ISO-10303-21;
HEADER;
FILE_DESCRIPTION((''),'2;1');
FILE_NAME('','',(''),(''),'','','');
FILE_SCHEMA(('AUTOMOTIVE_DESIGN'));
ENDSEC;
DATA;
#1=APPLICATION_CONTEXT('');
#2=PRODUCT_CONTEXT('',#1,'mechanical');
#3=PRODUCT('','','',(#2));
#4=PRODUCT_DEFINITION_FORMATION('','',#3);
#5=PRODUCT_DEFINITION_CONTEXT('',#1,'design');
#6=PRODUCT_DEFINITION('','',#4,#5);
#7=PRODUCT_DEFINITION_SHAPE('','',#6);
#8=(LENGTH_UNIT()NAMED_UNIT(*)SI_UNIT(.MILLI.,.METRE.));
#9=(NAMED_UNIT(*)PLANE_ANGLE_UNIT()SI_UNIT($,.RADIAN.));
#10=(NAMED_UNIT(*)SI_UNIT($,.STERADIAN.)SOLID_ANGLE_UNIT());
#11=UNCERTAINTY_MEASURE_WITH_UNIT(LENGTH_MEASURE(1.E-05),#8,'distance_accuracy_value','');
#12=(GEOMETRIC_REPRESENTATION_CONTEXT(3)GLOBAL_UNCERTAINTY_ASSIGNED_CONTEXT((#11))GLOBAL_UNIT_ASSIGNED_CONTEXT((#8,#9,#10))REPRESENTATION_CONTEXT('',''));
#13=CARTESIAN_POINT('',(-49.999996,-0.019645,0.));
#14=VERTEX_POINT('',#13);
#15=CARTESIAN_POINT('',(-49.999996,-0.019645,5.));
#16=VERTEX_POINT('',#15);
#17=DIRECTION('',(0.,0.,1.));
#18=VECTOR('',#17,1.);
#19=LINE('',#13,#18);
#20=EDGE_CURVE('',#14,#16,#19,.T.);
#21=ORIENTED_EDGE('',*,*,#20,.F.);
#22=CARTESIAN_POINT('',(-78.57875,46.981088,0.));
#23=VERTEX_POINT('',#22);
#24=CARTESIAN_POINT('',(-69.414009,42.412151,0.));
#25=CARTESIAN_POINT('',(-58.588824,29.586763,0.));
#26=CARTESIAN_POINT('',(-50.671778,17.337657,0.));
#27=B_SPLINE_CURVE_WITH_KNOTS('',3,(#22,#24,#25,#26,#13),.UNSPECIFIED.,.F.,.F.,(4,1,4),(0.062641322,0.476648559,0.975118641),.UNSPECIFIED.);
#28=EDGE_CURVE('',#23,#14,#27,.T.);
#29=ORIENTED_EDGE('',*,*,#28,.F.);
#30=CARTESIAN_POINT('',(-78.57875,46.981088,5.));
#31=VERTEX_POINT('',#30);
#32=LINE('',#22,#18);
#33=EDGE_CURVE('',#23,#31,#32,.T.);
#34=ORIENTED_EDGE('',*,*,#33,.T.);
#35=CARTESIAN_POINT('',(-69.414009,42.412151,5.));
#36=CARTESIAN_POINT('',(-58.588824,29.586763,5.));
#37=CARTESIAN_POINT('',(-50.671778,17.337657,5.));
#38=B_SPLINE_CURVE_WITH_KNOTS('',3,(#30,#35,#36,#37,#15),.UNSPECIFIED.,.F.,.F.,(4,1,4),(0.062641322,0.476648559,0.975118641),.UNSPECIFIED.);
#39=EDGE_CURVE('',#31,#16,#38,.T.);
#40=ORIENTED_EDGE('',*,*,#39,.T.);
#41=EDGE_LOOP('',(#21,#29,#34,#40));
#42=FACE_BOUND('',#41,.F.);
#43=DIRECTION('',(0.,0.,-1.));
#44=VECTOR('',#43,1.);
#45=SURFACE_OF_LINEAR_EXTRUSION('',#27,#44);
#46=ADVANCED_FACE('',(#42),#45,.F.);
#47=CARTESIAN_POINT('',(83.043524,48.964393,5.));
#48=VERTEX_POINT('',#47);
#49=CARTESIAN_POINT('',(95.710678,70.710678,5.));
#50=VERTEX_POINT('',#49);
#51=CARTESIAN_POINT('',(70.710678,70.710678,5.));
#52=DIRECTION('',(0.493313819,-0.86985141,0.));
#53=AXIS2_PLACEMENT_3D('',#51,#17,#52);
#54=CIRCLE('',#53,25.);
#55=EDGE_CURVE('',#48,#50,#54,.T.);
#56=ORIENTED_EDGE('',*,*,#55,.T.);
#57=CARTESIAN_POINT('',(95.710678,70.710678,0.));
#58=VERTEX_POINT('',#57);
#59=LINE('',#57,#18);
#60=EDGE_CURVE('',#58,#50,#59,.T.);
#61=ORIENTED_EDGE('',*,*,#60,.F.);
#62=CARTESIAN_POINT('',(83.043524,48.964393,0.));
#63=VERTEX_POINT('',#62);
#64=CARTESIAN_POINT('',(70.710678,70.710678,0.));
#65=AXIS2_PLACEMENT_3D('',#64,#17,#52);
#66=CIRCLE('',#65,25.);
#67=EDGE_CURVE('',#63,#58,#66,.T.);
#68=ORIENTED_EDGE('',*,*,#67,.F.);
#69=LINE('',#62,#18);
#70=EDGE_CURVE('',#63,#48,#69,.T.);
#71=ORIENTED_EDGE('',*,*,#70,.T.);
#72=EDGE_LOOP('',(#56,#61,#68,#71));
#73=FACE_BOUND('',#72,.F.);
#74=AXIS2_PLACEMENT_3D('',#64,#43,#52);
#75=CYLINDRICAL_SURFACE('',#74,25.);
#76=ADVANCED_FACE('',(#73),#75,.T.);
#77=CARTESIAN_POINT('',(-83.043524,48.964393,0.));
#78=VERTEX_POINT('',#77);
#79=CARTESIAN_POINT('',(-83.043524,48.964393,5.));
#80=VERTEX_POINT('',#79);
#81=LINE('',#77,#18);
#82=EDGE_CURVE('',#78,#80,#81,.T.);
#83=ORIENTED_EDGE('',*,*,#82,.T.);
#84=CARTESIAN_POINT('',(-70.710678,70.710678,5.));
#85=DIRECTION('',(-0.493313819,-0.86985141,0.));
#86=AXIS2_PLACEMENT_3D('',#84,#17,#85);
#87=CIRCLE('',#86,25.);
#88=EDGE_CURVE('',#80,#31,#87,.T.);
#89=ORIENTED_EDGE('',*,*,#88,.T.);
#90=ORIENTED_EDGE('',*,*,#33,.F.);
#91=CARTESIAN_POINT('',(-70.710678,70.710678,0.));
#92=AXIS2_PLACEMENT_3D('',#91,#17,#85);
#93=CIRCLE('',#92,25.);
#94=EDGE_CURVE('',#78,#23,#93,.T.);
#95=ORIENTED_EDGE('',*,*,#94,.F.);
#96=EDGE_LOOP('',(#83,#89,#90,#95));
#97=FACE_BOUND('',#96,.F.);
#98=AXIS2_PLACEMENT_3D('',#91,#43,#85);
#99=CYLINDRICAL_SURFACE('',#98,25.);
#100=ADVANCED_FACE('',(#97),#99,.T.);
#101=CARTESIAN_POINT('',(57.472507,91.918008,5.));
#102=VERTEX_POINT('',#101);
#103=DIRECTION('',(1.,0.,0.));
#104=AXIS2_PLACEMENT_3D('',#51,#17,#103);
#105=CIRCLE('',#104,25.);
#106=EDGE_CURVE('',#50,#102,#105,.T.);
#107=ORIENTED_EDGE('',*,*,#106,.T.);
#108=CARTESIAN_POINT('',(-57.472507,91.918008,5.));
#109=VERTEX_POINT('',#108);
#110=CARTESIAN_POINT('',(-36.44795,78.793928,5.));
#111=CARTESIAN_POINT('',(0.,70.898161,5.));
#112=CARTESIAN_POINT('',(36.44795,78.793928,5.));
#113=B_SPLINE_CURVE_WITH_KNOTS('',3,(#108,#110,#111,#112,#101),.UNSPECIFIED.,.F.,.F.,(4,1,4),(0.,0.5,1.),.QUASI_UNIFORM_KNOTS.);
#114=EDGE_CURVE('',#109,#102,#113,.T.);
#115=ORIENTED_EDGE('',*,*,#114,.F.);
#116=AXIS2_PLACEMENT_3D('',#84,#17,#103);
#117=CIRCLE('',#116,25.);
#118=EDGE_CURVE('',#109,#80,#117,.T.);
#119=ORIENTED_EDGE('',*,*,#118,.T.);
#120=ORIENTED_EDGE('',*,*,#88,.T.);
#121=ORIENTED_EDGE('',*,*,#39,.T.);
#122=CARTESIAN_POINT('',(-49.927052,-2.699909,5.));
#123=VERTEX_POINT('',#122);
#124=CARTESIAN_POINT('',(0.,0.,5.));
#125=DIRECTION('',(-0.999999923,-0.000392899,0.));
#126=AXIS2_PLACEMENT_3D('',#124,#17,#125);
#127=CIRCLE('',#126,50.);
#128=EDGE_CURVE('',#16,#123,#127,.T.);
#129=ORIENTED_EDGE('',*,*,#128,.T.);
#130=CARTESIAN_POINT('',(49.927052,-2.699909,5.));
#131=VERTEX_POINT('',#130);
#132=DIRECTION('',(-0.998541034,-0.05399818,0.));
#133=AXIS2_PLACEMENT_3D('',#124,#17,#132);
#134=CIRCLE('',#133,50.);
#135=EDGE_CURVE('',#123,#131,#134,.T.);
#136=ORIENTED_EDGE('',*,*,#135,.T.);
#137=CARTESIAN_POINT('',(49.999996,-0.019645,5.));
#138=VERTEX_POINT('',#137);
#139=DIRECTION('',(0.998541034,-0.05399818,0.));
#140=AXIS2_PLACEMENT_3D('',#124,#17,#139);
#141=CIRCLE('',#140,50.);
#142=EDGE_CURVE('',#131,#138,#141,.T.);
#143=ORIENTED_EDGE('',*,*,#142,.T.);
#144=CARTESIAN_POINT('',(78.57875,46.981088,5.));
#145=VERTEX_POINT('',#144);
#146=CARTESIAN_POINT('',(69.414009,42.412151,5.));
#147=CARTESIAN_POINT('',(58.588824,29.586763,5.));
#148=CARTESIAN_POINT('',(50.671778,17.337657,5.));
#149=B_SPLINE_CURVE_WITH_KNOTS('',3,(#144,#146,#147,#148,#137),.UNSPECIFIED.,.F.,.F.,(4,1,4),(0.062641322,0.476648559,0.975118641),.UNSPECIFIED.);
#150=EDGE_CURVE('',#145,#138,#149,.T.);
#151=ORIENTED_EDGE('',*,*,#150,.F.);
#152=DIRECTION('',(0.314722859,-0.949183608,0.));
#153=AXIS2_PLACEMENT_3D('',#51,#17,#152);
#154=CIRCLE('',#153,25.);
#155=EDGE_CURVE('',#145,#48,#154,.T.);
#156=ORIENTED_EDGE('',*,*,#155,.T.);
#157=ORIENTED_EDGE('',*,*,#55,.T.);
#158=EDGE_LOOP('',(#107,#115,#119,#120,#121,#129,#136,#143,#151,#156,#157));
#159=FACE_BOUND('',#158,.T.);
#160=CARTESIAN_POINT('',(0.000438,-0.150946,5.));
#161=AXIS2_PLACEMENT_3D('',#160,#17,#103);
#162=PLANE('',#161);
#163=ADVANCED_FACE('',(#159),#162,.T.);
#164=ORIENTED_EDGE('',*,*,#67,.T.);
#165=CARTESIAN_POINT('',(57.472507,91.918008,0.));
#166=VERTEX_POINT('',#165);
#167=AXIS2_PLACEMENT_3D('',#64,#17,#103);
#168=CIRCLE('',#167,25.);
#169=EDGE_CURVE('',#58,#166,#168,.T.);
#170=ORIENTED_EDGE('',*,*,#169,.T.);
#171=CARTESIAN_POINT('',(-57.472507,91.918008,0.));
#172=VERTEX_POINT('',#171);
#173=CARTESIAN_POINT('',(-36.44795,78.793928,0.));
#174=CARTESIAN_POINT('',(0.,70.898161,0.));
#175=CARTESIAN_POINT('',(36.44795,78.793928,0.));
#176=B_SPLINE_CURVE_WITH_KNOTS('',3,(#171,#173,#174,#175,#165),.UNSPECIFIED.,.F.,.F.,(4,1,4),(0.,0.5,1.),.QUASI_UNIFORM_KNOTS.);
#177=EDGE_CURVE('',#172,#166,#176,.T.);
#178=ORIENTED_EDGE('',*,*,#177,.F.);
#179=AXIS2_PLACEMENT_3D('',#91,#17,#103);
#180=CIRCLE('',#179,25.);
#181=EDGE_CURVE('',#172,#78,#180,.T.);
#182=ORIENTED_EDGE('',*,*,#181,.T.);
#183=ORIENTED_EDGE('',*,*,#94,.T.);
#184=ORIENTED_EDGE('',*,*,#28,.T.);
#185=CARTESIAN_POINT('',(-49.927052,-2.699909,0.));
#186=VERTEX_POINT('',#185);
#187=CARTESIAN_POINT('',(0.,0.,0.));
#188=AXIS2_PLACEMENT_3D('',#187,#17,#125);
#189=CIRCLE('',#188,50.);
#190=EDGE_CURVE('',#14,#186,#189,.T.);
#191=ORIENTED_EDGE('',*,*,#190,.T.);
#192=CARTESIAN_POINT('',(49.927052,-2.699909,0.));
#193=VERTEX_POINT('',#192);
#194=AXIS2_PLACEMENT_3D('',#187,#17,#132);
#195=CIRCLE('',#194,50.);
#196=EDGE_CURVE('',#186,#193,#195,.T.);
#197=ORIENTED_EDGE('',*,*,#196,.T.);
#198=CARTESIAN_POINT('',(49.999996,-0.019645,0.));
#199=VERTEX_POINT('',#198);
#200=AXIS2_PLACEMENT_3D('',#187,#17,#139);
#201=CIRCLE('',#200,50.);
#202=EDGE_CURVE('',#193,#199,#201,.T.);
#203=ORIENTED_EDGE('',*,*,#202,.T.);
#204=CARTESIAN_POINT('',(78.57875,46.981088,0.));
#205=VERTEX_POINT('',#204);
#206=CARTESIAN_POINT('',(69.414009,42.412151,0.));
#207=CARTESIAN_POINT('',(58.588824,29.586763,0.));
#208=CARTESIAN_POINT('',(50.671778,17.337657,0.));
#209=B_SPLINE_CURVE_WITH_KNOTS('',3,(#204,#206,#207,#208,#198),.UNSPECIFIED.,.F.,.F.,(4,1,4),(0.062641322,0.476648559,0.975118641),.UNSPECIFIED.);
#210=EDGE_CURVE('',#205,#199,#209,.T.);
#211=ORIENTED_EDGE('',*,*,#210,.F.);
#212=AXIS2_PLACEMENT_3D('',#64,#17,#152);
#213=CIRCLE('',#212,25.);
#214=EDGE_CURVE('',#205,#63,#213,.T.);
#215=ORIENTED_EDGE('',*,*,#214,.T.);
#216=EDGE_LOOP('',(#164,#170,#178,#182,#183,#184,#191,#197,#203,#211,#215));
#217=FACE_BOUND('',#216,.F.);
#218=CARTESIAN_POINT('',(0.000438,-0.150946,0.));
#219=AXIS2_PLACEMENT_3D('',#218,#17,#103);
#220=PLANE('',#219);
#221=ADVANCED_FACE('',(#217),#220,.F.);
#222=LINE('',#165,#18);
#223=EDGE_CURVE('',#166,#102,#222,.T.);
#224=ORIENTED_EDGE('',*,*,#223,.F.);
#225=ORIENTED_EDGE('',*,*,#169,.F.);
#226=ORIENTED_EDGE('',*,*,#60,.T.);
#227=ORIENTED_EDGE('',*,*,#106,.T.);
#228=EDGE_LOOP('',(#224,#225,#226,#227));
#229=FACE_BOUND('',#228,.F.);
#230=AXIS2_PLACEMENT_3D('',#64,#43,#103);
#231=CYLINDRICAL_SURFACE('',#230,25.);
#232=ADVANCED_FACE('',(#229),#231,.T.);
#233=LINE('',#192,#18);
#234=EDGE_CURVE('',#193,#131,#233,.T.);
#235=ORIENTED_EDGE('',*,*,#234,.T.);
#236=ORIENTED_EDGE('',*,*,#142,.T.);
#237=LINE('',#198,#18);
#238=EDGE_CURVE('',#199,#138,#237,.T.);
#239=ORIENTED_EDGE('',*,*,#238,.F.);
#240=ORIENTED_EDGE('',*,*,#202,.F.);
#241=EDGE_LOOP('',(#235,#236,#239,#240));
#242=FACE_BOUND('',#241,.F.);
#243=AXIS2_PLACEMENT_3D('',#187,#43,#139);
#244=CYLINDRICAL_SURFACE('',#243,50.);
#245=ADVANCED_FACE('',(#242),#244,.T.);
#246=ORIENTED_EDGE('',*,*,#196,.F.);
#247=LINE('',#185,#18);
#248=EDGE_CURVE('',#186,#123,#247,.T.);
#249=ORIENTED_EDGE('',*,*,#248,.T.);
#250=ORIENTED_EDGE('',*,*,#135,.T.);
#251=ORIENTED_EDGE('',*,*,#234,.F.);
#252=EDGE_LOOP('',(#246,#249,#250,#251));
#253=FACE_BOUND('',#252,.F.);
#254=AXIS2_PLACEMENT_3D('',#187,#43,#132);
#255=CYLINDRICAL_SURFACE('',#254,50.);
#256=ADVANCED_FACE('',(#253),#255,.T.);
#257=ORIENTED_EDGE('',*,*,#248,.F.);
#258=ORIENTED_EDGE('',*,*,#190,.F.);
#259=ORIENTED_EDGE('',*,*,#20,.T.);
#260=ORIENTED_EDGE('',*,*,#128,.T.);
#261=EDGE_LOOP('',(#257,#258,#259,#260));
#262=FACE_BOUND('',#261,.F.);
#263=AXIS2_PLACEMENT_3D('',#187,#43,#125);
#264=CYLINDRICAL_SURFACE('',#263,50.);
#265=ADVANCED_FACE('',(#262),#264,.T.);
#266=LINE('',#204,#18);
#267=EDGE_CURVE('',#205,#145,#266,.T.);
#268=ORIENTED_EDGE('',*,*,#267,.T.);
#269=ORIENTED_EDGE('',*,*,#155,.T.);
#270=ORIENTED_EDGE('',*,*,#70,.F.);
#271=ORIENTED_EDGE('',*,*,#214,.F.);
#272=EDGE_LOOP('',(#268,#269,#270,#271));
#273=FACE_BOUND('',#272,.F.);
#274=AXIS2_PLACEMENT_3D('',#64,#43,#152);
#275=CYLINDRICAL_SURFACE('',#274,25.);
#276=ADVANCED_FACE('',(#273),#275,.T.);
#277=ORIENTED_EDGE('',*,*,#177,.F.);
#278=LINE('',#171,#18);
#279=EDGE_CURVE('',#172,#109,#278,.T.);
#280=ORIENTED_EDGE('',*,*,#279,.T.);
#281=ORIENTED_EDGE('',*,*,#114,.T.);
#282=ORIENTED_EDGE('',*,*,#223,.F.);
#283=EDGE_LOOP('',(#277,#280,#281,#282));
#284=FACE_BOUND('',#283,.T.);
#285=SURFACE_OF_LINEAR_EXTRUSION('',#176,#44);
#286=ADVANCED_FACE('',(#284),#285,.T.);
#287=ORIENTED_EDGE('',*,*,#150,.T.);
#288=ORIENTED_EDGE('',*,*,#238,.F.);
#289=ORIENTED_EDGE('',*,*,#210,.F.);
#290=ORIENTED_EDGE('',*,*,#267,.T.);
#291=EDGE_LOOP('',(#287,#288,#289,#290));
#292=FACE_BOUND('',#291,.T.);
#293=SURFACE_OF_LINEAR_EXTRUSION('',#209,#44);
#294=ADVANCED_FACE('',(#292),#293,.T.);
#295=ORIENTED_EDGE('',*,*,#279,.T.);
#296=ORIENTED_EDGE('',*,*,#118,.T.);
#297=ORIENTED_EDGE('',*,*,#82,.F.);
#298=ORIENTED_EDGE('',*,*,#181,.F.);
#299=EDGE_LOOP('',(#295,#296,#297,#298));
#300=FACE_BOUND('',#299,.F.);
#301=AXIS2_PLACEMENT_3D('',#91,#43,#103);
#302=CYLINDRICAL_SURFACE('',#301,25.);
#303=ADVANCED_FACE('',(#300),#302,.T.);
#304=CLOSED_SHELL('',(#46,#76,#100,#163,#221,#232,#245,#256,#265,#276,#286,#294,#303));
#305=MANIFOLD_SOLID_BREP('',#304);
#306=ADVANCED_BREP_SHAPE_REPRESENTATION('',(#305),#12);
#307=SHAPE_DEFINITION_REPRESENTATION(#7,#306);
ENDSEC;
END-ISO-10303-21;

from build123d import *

# Parameters (mm, degrees)
F1_DEPTH = 5


with BuildPart() as f1:
    # F0 (on Top) → F1 (new body)
    with BuildSketch(Plane.XY):
        with BuildLine():
            add(Edge.make_bspline(
                [(-49.9999961408, -0.0196449659), (-49.9664638256, -0.8860425324), (-49.9420335458, -1.7790145827), (-49.9270517003, -2.6999089823)],
                knots=[0.9751186408, 0.9751186408, 0.9751186408, 0.9751186408, 1, 1, 1, 1], degree=3))
            ThreePointArc((-49.9270517003, -2.6999089823), (0, -50), (49.9270517003, -2.6999089823))
            add(Edge.make_bspline(
                [(49.9999961408, -0.0196449659), (49.9664638256, -0.8860425324), (49.9420335458, -1.7790145827), (49.9270517003, -2.6999089823)],
                knots=[0.9751186408, 0.9751186408, 0.9751186408, 0.9751186408, 1, 1, 1, 1], degree=3))
            ThreePointArc((49.9999961408, -0.0196449659), (49.9999990352, -0.0098224831), (50, 0))
            ThreePointArc((50, 0), (-0.0098224831, 49.9999990352), (-49.9999961408, -0.0196449659))
        make_face()
        with BuildLine():
            ThreePointArc((-49.9999961408, -0.0196449659), (-49.9814933386, -1.3602660189), (-49.9270517003, -2.6999089823))
            add(Edge.make_bspline(
                [(-49.9999961408, -0.0196449659), (-49.9664638256, -0.8860425324), (-49.9420335458, -1.7790145827), (-49.9270517003, -2.6999089823)],
                knots=[0.9751186408, 0.9751186408, 0.9751186408, 0.9751186408, 1, 1, 1, 1], degree=3))
        make_face()
        with BuildLine():
            add(Edge.make_bspline(
                [(49.9999961408, -0.0196449659), (49.9664638256, -0.8860425324), (49.9420335458, -1.7790145827), (49.9270517003, -2.6999089823)],
                knots=[0.9751186408, 0.9751186408, 0.9751186408, 0.9751186408, 1, 1, 1, 1], degree=3))
            ThreePointArc((49.9270517003, -2.6999089823), (49.9814933386, -1.3602660189), (49.9999961408, -0.0196449659))
        make_face()
        with BuildLine():
            add(Edge.make_bspline(
                [(-78.578749588, 46.9810879125), (-69.4140090661, 42.4121513529), (-58.5888238339, 29.5867625113), (-50.6717784072, 17.3376570554), (-49.9999961408, -0.0196449659)],
                knots=[0.0626413223, 0.0626413223, 0.0626413223, 0.0626413223, 0.476648559, 0.9751186408, 0.9751186408, 0.9751186408, 0.9751186408], degree=3))
            ThreePointArc((-49.9999961408, -0.0196449659), (-0.0098224831, 49.9999990352), (50, 0))
            ThreePointArc((50, 0), (49.9999990352, -0.0098224831), (49.9999961408, -0.0196449659))
            add(Edge.make_bspline(
                [(78.578749588, 46.9810879125), (69.4140090661, 42.4121513529), (58.5888238339, 29.5867625113), (50.6717784072, 17.3376570554), (49.9999961408, -0.0196449659)],
                knots=[0.0626413223, 0.0626413223, 0.0626413223, 0.0626413223, 0.476648559, 0.9751186408, 0.9751186408, 0.9751186408, 0.9751186408], degree=3))
            ThreePointArc((78.578749588, 46.9810879125), (48.0823511673, 60.0824694557), (57.4725069474, 91.9180076073))
            add(Edge.make_bspline(
                [(-57.4725069474, 91.9180076073), (-36.4479498167, 78.7939277346), (0, 70.8981606309), (36.4479498167, 78.7939277346), (57.4725069474, 91.9180076073)],
                knots=[0, 0, 0, 0, 0.5, 1, 1, 1, 1], degree=3))
            ThreePointArc((-57.4725069474, 91.9180076073), (-48.8479898201, 82.8359764803), (-45.7106781187, 70.7106781187))
            ThreePointArc((-45.7106781187, 70.7106781187), (-56.076843808, 50.4412209634), (-78.578749588, 46.9810879125))
        make_face()
        with BuildLine():
            add(Edge.make_bspline(
                [(-83.0435235892, 48.9643928589), (-81.4494581744, 48.3350724817), (-79.9654197097, 47.6723903885), (-78.578749588, 46.9810879125)],
                knots=[0, 0, 0, 0, 0.0626413223, 0.0626413223, 0.0626413223, 0.0626413223], degree=3))
            ThreePointArc((-78.578749588, 46.9810879125), (-56.076843808, 50.4412209634), (-45.7106781187, 70.7106781187))
            ThreePointArc((-45.7106781187, 70.7106781187), (-48.8479898201, 82.8359764803), (-57.4725069474, 91.9180076073))
            ThreePointArc((-57.4725069474, 91.9180076073), (-92.1922553104, 83.499025993), (-83.0435235892, 48.9643928589))
        make_face()
        with BuildLine():
            ThreePointArc((-83.0435235892, 48.9643928589), (-80.8596995459, 47.8634164869), (-78.578749588, 46.9810879125))
            add(Edge.make_bspline(
                [(-83.0435235892, 48.9643928589), (-81.4494581744, 48.3350724817), (-79.9654197097, 47.6723903885), (-78.578749588, 46.9810879125)],
                knots=[0, 0, 0, 0, 0.0626413223, 0.0626413223, 0.0626413223, 0.0626413223], degree=3))
        make_face()
        with BuildLine():
            add(Edge.make_bspline(
                [(83.0435235892, 48.9643928589), (81.4494581744, 48.3350724817), (79.9654197097, 47.6723903885), (78.578749588, 46.9810879125)],
                knots=[0, 0, 0, 0, 0.0626413223, 0.0626413223, 0.0626413223, 0.0626413223], degree=3))
            ThreePointArc((78.578749588, 46.9810879125), (80.8596995459, 47.8634164869), (83.0435235892, 48.9643928589))
        make_face()
        with BuildLine():
            ThreePointArc((57.4725069474, 91.9180076073), (48.0823511673, 60.0824694557), (78.578749588, 46.9810879125))
            add(Edge.make_bspline(
                [(83.0435235892, 48.9643928589), (81.4494581744, 48.3350724817), (79.9654197097, 47.6723903885), (78.578749588, 46.9810879125)],
                knots=[0, 0, 0, 0, 0.0626413223, 0.0626413223, 0.0626413223, 0.0626413223], degree=3))
            ThreePointArc((83.0435235892, 48.9643928589), (92.313005965, 58.1273784076), (95.7106781187, 70.7106781187))
            ThreePointArc((95.7106781187, 70.7106781187), (82.8359764803, 92.5733664172), (57.4725069474, 91.9180076073))
        make_face()
    extrude(amount=F1_DEPTH)


solid = f1.part
